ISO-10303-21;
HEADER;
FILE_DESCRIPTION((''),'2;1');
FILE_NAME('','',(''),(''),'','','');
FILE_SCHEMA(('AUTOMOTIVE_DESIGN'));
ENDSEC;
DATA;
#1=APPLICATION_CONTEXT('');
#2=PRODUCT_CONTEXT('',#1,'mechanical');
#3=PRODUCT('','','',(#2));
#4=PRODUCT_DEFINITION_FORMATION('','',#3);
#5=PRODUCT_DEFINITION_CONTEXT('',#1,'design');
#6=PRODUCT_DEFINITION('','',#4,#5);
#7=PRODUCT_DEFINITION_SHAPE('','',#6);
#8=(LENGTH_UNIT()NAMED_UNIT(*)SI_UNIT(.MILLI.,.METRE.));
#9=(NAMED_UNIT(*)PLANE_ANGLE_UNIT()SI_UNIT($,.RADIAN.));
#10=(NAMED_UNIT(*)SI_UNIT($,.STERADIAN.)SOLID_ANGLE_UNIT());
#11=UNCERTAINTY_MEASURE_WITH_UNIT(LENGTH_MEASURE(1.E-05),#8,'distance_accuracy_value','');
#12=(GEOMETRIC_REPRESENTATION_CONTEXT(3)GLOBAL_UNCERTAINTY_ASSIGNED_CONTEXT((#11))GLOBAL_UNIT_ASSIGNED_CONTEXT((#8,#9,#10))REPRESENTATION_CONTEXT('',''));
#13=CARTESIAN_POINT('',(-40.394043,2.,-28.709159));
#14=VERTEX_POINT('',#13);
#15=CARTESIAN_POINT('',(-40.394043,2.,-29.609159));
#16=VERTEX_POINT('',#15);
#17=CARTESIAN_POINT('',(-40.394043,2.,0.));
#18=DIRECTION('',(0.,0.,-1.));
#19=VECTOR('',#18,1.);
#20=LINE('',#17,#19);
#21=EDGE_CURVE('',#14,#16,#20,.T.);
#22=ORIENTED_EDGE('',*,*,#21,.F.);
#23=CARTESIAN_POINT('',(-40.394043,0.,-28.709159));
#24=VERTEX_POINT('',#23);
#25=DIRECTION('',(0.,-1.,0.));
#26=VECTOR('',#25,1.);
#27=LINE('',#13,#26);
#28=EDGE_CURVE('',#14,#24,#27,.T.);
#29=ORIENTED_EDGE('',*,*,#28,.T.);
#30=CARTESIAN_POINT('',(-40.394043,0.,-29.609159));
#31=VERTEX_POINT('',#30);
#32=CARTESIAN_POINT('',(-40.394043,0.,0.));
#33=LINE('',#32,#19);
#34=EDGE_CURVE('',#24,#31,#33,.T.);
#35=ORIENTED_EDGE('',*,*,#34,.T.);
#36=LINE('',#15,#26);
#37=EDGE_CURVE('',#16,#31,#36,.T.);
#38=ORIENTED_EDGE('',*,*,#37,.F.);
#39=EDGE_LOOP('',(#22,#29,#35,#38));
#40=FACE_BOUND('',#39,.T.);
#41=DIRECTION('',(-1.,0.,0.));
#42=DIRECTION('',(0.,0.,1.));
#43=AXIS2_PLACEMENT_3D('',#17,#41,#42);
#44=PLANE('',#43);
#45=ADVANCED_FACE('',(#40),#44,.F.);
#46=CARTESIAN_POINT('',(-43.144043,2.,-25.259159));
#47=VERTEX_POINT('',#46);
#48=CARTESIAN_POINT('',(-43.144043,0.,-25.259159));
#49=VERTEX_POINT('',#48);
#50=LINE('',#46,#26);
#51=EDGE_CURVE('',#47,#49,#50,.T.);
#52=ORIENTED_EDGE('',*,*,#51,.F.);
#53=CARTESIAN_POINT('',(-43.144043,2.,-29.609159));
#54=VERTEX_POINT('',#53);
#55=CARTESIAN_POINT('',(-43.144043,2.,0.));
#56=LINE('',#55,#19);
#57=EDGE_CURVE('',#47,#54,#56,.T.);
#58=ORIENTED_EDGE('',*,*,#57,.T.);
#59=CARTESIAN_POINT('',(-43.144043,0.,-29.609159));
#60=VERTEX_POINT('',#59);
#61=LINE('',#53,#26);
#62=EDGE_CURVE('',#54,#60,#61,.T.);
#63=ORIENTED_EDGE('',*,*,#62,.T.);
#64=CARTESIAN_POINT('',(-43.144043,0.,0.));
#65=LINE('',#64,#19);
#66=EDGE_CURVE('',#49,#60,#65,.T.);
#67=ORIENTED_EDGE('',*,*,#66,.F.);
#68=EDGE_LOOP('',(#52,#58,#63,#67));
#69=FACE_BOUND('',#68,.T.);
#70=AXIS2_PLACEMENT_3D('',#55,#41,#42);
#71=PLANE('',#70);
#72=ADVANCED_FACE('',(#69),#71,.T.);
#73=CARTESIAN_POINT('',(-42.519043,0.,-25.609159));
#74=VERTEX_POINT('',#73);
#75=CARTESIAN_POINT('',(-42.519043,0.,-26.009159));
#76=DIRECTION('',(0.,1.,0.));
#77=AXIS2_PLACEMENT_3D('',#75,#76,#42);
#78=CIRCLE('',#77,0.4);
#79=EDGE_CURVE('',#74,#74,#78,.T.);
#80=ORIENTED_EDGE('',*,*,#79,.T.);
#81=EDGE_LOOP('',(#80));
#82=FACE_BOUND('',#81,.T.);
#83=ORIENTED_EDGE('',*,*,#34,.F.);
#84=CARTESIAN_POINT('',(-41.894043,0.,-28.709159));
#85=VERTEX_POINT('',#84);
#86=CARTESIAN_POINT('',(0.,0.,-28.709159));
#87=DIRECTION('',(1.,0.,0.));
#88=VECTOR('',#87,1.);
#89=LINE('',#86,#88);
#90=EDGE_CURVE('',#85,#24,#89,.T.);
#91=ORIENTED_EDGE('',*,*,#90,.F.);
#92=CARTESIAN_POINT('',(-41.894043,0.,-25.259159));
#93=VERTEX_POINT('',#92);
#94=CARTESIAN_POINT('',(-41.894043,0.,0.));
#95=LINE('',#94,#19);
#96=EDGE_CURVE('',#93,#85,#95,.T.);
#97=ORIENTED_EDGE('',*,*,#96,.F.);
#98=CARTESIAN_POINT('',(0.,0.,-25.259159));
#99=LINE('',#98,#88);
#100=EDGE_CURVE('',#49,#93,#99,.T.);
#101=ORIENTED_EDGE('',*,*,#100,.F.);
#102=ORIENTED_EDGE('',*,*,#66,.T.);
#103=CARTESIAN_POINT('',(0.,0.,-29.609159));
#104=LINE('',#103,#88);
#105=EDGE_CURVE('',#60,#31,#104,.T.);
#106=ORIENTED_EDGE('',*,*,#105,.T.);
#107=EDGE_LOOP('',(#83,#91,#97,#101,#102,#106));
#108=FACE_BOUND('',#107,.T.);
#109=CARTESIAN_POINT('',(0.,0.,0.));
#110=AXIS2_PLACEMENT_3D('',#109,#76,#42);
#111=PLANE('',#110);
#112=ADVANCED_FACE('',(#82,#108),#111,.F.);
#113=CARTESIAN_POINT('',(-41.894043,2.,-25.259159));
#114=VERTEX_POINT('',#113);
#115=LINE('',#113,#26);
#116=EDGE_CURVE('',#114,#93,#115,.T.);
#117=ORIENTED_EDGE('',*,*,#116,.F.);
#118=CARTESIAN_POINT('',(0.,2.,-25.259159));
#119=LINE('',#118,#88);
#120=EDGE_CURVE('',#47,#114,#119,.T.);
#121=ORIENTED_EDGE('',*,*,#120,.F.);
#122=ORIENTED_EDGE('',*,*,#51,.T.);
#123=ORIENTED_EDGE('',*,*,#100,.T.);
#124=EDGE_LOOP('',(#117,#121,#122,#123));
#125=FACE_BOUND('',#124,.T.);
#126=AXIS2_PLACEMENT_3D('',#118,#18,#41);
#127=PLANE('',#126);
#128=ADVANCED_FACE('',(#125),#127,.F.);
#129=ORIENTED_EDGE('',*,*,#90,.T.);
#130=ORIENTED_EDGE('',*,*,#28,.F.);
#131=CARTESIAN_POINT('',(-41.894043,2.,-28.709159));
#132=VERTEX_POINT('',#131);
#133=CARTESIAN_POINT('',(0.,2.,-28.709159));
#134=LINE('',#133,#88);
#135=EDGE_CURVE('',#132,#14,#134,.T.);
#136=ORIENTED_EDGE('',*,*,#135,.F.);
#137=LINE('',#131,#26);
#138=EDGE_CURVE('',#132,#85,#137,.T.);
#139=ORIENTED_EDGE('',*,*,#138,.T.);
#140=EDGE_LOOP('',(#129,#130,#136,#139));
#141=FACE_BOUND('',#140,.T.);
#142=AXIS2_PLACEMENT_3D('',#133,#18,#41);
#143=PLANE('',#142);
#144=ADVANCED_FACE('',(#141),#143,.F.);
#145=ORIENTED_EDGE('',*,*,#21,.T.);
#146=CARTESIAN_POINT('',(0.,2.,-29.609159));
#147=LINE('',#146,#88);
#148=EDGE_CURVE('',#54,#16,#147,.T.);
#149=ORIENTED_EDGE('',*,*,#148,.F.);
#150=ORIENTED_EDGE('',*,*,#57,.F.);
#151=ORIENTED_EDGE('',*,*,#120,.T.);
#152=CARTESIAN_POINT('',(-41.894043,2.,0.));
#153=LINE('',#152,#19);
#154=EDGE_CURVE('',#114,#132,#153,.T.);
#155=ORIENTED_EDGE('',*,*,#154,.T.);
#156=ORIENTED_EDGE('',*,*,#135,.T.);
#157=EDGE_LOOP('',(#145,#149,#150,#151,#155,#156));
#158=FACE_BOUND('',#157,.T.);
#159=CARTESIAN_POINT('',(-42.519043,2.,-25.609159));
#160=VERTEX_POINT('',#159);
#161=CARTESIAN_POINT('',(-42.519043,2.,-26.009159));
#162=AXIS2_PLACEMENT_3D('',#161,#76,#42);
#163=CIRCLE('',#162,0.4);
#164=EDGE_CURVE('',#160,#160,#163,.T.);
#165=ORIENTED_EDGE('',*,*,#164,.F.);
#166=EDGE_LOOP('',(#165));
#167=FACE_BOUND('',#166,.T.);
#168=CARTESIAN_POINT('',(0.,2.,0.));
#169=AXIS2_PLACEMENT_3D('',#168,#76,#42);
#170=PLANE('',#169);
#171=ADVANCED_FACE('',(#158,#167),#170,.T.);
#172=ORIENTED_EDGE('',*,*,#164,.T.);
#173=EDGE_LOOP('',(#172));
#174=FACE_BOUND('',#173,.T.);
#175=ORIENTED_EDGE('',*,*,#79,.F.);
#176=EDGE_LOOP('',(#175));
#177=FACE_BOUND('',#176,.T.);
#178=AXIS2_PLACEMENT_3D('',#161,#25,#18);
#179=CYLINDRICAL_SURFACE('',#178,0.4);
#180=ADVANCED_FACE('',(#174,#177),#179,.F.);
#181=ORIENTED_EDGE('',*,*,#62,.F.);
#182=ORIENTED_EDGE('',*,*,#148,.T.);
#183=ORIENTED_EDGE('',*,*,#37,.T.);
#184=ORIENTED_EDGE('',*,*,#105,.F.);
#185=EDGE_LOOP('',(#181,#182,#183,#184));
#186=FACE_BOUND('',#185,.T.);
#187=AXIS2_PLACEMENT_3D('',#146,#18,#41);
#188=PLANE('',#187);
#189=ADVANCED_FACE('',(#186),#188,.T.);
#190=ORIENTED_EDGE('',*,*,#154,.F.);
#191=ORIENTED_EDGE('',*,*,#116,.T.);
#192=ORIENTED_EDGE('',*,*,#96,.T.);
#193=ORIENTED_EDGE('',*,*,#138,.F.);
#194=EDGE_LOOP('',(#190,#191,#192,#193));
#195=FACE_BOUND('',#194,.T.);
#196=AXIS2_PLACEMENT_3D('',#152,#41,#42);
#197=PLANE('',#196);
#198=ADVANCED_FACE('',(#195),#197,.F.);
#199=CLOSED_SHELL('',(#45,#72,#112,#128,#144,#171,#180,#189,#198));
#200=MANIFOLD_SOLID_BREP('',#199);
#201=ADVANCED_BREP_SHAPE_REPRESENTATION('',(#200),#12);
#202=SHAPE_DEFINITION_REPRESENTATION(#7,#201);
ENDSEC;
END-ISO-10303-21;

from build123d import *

# Parameters (mm, degrees)
SKETCH1_R           = 0.4
BOSS_EXTRUDE1_DEPTH = 2


with BuildPart() as part:
    # Sketch1 → Boss-Extrude1 (new body)
    with BuildSketch(Plane(origin=(0, 0, 0), x_dir=(1, 0, 0), z_dir=(0, 1, 0))):
        Polygon((-43.144042746, 25.259159104), (-43.144042746, 29.609159104), (-40.394042746, 29.609159104), (-40.394042746, 28.709159104), (-41.894042746, 28.709159104), (-41.894042746, 25.259159104), align=None)
        with Locations(Location((-42.519042746, 26.009159104, 0), (0, 0, 270))):
            Circle(SKETCH1_R, mode=Mode.SUBTRACT)
    extrude(amount=BOSS_EXTRUDE1_DEPTH)


solid = part.part
